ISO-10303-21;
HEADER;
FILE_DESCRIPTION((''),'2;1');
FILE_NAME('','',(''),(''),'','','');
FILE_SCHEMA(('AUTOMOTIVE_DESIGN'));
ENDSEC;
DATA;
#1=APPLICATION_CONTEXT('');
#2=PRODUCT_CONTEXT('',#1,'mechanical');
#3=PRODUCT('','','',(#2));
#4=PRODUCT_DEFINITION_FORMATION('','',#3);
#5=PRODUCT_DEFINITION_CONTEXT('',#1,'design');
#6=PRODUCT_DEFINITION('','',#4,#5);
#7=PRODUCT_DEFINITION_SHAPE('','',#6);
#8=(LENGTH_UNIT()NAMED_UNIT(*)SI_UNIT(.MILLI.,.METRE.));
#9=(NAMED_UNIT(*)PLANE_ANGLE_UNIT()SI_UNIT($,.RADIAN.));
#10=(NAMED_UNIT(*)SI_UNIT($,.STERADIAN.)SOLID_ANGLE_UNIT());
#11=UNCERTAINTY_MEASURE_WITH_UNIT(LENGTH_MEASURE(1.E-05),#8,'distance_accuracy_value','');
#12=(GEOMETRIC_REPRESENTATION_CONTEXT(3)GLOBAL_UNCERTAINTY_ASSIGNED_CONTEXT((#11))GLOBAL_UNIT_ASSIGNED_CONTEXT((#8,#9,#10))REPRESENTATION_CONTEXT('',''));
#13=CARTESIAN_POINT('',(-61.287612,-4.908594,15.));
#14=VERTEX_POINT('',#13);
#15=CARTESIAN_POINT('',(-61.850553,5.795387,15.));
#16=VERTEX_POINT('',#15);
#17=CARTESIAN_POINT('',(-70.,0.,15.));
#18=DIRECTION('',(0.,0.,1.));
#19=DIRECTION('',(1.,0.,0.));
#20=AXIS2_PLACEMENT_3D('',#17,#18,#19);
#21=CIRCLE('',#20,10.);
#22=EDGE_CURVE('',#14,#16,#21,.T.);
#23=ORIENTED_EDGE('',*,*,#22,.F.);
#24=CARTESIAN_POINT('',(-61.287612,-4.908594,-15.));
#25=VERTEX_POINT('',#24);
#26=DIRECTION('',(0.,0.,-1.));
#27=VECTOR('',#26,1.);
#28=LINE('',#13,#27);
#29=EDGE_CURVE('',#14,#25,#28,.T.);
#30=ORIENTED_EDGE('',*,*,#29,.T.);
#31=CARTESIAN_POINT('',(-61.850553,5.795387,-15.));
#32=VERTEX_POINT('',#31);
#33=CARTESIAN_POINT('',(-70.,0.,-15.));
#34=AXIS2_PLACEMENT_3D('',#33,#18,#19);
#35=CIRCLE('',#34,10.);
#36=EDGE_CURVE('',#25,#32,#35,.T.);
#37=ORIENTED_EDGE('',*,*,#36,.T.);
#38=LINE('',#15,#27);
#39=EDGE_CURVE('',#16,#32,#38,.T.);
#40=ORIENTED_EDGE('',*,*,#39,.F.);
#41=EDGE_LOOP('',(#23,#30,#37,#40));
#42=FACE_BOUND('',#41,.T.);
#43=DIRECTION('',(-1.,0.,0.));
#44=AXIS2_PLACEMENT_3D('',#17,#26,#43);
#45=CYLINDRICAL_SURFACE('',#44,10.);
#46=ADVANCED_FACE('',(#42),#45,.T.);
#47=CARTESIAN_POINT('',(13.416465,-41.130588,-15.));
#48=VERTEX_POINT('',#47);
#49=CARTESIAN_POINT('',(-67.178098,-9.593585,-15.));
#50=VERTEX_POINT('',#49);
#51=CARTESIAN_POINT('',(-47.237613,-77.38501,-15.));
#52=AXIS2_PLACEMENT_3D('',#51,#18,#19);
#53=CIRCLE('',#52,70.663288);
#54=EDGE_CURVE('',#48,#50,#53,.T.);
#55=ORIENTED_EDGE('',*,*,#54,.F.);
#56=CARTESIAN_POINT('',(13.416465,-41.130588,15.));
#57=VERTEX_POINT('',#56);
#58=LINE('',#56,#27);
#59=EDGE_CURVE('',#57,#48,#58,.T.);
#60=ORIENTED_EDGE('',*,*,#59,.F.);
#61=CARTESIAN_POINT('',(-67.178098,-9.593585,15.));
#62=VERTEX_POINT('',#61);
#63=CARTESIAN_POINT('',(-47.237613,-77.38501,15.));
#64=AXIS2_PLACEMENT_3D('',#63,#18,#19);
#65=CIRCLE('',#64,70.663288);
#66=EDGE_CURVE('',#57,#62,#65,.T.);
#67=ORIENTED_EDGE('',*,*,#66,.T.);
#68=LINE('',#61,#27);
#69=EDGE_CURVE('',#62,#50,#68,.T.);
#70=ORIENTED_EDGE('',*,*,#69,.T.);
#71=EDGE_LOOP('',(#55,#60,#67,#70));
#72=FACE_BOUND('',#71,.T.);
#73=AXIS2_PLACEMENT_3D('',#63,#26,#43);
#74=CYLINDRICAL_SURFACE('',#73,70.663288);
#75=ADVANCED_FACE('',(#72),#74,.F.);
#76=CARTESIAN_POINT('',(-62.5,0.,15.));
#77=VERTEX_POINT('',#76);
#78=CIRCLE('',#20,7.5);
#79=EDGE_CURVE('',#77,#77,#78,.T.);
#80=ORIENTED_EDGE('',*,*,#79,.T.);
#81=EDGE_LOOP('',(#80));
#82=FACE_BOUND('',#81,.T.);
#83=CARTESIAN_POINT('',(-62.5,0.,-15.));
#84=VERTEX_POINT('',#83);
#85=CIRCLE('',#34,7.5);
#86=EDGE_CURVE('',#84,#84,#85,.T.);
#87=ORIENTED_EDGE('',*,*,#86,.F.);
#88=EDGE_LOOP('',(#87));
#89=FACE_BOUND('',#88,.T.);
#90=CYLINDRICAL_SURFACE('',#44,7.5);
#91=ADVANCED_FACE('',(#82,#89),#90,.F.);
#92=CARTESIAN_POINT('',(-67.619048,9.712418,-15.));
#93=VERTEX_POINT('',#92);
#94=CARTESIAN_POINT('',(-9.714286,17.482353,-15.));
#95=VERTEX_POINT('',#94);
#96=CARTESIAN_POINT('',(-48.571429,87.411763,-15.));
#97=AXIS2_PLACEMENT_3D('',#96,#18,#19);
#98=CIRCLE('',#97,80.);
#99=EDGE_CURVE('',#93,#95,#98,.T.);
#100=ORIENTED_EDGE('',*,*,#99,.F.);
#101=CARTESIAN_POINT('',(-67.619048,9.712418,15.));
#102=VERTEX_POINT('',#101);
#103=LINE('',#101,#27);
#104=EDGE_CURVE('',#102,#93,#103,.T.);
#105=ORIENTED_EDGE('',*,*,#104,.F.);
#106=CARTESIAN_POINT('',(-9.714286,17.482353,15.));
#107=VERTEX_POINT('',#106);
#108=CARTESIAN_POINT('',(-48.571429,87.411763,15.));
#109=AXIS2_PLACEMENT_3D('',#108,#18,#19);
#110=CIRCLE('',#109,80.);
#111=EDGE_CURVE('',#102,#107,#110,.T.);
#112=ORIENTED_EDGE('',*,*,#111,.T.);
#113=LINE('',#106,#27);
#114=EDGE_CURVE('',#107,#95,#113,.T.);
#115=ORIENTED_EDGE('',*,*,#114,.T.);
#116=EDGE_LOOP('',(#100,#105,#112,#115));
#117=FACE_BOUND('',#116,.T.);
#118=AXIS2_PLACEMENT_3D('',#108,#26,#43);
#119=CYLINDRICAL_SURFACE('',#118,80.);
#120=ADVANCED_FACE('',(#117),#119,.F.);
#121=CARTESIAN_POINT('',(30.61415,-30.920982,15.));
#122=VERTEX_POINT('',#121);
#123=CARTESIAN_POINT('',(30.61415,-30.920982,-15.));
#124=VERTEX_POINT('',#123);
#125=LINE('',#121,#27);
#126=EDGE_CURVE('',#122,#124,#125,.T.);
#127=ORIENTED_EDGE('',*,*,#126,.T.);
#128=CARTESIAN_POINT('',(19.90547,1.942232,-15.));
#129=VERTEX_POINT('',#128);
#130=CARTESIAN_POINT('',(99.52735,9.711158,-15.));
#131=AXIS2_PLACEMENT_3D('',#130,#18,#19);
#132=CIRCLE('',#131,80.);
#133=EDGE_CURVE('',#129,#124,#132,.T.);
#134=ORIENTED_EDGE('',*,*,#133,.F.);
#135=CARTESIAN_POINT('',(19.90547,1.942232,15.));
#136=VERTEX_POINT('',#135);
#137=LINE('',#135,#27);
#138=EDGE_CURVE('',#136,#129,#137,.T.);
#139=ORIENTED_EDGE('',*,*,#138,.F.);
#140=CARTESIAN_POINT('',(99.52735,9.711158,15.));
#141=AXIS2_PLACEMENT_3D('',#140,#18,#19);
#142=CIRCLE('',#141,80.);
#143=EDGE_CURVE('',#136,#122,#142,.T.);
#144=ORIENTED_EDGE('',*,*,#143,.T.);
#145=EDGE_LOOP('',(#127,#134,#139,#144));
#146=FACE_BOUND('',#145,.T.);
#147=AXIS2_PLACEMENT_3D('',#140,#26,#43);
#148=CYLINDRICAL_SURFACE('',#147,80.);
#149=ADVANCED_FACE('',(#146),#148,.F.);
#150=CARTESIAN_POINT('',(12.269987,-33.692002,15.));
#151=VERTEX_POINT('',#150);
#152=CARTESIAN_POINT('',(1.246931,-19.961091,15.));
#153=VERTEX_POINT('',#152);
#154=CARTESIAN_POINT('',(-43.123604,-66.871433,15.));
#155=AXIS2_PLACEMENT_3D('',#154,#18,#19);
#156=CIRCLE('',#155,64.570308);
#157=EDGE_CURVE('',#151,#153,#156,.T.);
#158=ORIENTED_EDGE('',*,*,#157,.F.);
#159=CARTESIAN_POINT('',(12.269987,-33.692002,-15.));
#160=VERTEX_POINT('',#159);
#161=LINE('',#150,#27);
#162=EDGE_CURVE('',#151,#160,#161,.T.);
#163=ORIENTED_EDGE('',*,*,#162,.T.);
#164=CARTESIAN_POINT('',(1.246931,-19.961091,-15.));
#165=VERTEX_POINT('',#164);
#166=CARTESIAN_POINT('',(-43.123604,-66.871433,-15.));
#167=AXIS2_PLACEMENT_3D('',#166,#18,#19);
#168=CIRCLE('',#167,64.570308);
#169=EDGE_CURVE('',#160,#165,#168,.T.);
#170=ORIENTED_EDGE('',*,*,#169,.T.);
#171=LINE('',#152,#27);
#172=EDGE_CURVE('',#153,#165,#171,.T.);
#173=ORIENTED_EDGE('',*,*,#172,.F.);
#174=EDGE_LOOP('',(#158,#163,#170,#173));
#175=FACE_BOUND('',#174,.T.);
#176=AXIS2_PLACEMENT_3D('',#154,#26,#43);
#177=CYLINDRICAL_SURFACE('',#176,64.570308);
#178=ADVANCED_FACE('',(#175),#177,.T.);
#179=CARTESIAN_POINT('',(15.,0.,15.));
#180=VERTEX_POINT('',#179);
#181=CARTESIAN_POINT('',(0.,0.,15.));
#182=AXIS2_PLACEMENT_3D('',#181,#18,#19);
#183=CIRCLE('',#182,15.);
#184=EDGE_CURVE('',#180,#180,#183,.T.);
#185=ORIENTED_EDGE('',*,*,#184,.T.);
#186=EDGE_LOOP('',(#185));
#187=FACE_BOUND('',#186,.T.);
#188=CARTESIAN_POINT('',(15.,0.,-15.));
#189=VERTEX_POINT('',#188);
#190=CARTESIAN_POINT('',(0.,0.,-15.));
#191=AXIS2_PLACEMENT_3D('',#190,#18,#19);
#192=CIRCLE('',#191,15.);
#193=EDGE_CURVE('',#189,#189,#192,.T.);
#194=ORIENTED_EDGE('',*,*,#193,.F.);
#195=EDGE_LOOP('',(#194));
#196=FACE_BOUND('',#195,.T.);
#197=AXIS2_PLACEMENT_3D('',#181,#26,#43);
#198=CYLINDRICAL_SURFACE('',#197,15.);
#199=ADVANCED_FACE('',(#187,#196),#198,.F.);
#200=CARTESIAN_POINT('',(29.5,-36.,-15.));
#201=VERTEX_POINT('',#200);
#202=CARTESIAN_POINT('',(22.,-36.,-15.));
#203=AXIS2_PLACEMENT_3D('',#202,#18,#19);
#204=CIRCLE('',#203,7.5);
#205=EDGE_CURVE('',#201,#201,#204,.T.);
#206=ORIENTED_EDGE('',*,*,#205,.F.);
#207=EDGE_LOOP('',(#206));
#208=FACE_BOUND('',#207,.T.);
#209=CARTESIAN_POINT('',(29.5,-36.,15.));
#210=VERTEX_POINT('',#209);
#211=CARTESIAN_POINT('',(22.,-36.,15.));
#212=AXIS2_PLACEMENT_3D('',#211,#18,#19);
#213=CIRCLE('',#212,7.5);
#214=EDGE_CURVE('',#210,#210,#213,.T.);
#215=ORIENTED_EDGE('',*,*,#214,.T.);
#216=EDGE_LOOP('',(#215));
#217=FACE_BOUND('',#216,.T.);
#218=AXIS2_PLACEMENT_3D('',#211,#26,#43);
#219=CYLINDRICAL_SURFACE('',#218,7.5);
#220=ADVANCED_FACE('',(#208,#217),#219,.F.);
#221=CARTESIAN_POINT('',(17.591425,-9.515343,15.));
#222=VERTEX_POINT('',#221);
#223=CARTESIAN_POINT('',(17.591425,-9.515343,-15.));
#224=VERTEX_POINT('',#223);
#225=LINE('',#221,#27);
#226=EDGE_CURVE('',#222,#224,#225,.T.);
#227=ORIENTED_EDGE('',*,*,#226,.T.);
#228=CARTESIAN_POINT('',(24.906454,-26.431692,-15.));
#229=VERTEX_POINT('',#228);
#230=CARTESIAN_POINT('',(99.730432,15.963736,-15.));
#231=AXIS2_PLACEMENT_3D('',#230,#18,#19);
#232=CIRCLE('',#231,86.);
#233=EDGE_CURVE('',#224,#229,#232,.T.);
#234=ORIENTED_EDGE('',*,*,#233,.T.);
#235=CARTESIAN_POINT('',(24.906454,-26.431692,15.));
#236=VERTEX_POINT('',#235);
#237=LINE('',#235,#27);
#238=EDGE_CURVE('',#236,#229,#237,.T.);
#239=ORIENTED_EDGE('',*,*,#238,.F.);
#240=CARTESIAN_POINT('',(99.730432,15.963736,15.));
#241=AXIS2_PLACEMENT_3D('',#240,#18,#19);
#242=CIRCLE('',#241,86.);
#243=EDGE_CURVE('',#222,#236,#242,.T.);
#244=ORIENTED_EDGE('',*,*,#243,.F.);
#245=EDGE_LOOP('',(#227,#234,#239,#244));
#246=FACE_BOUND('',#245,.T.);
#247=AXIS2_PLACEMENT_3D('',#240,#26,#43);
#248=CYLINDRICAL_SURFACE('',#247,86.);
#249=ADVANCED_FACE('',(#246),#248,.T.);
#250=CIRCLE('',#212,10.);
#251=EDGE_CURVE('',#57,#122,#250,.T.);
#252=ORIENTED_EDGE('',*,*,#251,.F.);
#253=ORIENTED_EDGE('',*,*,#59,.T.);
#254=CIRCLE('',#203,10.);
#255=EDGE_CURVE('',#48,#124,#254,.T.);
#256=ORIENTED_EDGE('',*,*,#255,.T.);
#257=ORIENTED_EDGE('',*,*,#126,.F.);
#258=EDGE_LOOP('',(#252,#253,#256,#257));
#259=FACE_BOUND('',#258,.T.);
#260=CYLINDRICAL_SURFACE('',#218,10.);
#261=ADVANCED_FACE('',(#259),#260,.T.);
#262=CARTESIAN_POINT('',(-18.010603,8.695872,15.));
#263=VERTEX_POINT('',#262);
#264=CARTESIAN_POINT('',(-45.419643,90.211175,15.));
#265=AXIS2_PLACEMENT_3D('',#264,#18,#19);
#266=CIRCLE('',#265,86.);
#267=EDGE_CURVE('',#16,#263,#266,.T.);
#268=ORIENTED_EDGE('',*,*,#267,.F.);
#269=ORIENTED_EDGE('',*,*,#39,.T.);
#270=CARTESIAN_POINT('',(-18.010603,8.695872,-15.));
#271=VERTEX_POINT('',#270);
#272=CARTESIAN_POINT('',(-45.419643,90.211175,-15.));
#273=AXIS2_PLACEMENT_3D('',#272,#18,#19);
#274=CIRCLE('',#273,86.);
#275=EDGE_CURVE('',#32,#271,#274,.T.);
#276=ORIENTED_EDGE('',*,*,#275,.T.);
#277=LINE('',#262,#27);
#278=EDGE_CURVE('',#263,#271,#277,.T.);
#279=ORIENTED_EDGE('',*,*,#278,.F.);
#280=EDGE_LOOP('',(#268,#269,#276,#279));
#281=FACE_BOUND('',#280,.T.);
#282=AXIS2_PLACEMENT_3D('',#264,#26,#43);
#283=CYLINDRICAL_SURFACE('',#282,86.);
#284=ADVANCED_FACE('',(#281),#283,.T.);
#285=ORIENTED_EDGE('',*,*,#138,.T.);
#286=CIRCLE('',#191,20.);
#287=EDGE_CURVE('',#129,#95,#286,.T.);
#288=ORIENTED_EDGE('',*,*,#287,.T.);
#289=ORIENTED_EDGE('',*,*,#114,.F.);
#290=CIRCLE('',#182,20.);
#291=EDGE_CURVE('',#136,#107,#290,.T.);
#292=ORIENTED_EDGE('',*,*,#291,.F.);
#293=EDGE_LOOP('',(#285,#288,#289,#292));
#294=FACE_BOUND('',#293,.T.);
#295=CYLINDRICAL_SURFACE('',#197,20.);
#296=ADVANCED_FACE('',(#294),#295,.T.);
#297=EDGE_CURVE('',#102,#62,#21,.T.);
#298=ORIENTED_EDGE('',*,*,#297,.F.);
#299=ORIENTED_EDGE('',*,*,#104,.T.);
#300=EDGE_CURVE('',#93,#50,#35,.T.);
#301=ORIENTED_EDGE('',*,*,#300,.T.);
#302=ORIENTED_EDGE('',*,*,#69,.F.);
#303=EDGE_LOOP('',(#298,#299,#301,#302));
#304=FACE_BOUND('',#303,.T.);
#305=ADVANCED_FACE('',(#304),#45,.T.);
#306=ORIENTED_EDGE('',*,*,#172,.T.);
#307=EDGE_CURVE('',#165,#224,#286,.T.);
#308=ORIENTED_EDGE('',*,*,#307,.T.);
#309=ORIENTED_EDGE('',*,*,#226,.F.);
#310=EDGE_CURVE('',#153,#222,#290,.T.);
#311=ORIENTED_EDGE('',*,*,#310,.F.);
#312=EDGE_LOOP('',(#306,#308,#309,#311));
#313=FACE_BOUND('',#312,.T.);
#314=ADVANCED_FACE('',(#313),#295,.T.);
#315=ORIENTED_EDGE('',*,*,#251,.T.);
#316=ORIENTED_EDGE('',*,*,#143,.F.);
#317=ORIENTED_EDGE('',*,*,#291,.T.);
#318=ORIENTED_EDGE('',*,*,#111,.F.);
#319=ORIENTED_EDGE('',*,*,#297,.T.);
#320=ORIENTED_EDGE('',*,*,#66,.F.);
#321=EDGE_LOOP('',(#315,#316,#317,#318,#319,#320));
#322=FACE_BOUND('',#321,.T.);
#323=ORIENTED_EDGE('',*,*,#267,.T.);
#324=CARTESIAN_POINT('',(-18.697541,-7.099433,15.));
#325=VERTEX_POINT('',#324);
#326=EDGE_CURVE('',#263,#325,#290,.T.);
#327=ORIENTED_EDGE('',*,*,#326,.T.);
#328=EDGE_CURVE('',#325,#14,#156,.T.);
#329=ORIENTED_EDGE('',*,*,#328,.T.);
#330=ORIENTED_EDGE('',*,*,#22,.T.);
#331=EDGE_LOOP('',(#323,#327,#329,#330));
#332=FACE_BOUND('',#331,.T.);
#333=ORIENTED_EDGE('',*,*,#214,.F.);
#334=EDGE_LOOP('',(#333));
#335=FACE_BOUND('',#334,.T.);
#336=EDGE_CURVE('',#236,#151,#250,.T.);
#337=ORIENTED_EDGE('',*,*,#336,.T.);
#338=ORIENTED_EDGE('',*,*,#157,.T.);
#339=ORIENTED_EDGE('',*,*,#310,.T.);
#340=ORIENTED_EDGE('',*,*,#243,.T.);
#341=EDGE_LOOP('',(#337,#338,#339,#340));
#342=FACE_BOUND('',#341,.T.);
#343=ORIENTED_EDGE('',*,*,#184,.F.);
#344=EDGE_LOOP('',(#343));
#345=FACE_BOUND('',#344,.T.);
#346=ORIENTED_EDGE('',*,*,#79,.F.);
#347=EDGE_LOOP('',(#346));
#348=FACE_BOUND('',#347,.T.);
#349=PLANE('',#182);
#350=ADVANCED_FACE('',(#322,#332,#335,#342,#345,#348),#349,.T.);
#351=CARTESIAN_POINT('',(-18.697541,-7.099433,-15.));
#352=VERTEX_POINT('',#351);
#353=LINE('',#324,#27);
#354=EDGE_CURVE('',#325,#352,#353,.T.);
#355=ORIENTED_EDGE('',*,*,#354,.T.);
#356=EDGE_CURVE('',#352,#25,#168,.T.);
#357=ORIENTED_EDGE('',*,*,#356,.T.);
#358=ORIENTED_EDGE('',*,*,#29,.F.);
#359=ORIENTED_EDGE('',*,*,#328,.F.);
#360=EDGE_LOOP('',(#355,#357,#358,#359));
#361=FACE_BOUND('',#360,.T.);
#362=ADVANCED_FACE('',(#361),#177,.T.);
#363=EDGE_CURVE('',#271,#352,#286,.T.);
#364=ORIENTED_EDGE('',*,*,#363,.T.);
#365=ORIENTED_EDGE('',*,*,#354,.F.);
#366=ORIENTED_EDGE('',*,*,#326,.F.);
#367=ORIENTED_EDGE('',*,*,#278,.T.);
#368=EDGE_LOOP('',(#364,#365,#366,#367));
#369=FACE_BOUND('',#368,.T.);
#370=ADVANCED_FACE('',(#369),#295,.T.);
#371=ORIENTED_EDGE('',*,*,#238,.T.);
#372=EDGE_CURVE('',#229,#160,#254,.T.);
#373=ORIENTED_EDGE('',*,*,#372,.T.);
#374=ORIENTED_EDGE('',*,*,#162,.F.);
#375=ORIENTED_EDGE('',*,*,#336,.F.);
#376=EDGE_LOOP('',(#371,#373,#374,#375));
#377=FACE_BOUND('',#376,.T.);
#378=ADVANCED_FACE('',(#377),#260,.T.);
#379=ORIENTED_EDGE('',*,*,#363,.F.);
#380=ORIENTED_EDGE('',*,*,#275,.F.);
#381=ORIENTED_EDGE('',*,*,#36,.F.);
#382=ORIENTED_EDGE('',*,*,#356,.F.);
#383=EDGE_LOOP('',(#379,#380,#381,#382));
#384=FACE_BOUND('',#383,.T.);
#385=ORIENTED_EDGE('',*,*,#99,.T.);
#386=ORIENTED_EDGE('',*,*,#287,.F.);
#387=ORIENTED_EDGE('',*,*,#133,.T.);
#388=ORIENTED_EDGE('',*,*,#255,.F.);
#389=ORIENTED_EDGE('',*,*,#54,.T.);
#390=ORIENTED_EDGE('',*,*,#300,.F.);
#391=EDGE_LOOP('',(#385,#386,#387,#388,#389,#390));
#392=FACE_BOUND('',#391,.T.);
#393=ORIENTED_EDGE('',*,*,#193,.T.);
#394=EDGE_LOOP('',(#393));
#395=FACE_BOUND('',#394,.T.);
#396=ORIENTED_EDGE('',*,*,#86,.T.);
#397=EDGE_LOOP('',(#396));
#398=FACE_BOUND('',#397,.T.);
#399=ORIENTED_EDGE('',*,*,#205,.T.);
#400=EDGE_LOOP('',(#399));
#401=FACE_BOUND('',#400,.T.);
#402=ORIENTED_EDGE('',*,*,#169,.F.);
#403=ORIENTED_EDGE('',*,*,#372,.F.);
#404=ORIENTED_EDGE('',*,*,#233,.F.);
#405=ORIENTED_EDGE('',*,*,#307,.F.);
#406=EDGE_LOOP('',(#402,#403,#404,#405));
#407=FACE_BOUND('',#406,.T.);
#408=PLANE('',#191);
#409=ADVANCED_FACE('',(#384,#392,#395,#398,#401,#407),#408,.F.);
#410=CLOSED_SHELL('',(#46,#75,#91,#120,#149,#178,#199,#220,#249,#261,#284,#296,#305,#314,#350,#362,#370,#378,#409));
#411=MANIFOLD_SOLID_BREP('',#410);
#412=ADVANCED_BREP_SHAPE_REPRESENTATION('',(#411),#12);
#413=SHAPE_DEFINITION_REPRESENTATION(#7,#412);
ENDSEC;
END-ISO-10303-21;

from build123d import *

# Parameters (mm, degrees)
SKETCH1_R           = 7.5
SKETCH1_R_2         = 15
BOSS_EXTRUDE1_DEPTH = 15


with BuildPart() as part:
    # Sketch1 → Boss-Extrude1 (new, symmetric)
    with BuildSketch(Plane.XY):
        with BuildLine():
            ThreePointArc((13.416465379, -41.130588018), (27.104825758, -44.598880973), (30.614150003, -30.920982406))
            ThreePointArc((30.614150003, -30.920982406), (23.463789692, -15.074619609), (19.905470006, 1.94223167))
            ThreePointArc((19.905470006, 1.94223167), (9.291872744, 17.710479974), (-9.714285714, 17.482352618))
            ThreePointArc((-9.714285714, 17.482352618), (-37.932007586, 8.122402385), (-67.619047619, 9.712418121))
            ThreePointArc((-67.619047619, 9.712418121), (-79.997392689, -0.228340587), (-67.178098245, -9.593584861))
            ThreePointArc((-67.178098245, -9.593584861), (-21.487956439, -11.580333122), (13.416465379, -41.130588018))
        make_face()
        with BuildLine():
            ThreePointArc((-18.010602512, 8.695872422), (-19.981112924, 0.868980041), (-18.697541465, -7.099432594))
            ThreePointArc((-18.697541465, -7.099432594), (-39.80648554, -2.386385888), (-61.287612025, -4.908594074))
            ThreePointArc((-61.287612025, -4.908594074), (-60.013800827, 0.525191469), (-61.850552891, 5.795387115))
            ThreePointArc((-61.850552891, 5.795387115), (-39.742227949, 4.398780735), (-18.010602512, 8.695872422))
        make_face(mode=Mode.SUBTRACT)
        with Locations((22, -36)):
            Circle(SKETCH1_R, mode=Mode.SUBTRACT)
        with BuildLine():
            ThreePointArc((17.591425152, -9.515343459), (20.794474813, -18.170038976), (24.906454326, -26.431691725))
            ThreePointArc((24.906454326, -26.431691725), (17.018206606, -27.32925986), (12.26998728, -33.692002498))
            ThreePointArc((12.26998728, -33.692002498), (7.22870194, -26.449040107), (1.246931193, -19.961091218))
            ThreePointArc((1.246931193, -19.961091218), (10.770298464, -16.852319454), (17.591425152, -9.515343459))
        make_face(mode=Mode.SUBTRACT)
        with Locations((-70, 0)):
            Circle(SKETCH1_R, mode=Mode.SUBTRACT)
        Circle(SKETCH1_R_2, mode=Mode.SUBTRACT)
    extrude(amount=BOSS_EXTRUDE1_DEPTH, both=True)


solid = part.part
